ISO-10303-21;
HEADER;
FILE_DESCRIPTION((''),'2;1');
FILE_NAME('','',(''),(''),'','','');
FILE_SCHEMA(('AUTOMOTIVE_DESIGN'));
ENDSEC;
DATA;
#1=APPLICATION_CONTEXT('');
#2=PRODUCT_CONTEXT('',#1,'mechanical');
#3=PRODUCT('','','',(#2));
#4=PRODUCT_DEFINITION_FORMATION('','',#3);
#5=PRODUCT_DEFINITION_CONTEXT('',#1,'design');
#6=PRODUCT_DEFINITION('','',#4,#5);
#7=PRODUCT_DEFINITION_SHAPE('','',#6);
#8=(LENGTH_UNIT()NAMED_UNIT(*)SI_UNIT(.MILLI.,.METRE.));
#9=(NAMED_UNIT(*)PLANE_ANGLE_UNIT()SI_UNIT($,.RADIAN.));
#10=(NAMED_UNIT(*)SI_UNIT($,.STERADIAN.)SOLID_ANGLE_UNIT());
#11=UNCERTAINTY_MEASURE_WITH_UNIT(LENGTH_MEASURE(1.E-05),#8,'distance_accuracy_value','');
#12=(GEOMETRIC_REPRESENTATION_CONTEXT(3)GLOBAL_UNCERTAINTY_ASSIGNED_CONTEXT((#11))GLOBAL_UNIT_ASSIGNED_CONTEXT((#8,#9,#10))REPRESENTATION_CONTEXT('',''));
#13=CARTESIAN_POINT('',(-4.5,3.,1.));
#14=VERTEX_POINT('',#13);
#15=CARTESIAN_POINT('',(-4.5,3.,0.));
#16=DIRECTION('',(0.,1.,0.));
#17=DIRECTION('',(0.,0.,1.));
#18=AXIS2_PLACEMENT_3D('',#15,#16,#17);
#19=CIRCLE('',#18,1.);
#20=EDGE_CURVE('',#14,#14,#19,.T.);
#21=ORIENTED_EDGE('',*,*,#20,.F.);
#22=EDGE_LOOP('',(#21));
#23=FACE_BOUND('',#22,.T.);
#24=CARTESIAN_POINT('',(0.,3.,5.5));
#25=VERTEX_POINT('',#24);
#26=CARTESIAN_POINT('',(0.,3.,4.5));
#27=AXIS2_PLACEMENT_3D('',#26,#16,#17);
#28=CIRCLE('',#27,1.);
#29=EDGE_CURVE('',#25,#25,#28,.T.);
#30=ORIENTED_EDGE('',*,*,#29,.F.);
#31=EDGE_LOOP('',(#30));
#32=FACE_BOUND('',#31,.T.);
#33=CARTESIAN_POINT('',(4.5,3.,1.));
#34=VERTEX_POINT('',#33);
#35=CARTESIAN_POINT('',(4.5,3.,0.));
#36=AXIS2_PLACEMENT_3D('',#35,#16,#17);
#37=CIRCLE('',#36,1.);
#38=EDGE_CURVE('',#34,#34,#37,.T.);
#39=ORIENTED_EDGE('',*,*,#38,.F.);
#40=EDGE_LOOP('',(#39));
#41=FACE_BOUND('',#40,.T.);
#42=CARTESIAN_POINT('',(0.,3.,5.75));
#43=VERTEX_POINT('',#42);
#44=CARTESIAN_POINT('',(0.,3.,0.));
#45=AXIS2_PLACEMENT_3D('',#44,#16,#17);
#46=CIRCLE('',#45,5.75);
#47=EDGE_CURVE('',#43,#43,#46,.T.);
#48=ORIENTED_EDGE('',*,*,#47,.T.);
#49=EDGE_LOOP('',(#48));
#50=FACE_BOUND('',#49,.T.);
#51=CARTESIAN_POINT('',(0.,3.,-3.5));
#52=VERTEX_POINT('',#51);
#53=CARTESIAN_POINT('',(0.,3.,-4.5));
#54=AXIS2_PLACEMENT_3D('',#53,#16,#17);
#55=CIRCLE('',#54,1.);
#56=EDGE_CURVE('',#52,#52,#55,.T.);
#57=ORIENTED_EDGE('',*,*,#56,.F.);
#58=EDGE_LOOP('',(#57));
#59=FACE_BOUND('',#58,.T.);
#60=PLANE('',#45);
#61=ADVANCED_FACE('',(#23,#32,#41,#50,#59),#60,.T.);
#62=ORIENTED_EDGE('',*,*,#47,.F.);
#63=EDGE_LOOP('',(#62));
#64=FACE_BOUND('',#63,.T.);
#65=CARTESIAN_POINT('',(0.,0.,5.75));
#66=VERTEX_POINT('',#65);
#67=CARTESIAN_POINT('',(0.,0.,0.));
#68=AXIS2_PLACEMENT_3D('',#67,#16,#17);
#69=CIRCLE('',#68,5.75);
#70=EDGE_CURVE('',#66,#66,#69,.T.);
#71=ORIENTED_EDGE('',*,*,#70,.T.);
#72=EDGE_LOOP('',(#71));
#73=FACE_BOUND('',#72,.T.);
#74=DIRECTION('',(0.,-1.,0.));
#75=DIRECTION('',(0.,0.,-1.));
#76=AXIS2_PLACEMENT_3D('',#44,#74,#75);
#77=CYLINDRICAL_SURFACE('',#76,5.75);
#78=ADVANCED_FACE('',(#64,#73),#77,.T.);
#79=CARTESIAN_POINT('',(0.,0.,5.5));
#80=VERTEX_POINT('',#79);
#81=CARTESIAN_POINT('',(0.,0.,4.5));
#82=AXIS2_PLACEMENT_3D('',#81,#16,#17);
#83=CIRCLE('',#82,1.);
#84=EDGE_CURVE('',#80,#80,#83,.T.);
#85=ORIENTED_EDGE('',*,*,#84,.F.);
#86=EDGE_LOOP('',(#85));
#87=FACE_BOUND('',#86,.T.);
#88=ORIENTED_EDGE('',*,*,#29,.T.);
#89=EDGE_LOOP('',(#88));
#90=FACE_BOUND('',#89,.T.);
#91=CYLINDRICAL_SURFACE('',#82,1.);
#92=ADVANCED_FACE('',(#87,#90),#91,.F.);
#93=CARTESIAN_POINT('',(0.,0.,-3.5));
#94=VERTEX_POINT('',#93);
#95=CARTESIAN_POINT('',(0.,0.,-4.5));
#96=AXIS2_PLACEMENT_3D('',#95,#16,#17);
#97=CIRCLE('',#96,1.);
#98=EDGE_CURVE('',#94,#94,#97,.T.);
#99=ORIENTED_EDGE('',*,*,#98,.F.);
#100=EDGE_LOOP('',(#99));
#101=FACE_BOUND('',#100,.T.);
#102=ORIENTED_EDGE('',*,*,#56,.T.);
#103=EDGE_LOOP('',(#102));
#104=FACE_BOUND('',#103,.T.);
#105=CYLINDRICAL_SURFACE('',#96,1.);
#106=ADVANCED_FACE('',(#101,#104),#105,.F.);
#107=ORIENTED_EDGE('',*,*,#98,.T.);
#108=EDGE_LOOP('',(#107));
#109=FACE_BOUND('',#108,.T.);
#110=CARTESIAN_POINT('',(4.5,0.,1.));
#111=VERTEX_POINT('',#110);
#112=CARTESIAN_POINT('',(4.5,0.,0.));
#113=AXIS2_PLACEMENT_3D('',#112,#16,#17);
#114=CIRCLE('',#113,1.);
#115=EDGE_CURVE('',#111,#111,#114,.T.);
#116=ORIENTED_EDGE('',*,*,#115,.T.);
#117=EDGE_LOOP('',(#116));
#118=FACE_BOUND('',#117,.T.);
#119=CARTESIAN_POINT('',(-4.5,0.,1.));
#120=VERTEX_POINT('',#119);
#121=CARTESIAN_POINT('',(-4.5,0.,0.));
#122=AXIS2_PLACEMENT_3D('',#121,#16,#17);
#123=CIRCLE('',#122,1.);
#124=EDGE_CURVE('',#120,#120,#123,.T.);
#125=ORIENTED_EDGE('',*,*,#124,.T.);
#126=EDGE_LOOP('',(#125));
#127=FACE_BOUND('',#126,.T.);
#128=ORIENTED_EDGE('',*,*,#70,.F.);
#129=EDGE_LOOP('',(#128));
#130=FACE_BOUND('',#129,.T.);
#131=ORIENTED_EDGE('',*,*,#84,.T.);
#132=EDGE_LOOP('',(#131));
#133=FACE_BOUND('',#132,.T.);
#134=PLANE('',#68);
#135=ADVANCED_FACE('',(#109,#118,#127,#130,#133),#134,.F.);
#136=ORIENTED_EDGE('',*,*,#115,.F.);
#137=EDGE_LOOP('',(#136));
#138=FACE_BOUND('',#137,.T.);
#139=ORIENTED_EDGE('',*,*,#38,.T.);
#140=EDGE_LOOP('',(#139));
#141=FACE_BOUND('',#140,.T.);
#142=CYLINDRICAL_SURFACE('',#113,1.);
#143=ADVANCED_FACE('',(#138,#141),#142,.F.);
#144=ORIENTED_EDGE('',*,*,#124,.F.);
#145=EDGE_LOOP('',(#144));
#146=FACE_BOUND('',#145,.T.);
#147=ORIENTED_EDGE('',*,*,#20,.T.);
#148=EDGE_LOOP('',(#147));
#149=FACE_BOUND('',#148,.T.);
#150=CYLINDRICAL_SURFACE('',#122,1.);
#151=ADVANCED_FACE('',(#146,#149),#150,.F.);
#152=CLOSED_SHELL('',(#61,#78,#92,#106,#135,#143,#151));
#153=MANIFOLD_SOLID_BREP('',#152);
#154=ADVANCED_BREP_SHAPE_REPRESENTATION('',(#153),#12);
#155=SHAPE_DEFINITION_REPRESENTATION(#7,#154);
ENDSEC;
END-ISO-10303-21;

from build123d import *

# Parameters (mm, degrees)
SKETCH_1_R          = 5.75
EXTRUDE_1_DEPTH     = 3
SKETCH_2_R          = 1
CUT_EXTRUDE_2_DEPTH = 3


with BuildPart() as part:
    # 草图1 → 凸台-拉伸1 (new body)
    with BuildSketch(Plane(origin=(0, 0, 0), x_dir=(1, 0, 0), z_dir=(0, 1, 0))):
        with Locations(Location((0, 0, 0), (0, 0, 270))):
            Circle(SKETCH_1_R)
    extrude(amount=EXTRUDE_1_DEPTH)

    # 草图2 → 切除-拉伸2 (cut)
    with BuildSketch(Plane(origin=(0, 3, 0), x_dir=(1, 0, 0), z_dir=(0, 1, 0))):
        with Locations(Location((0, 4.5, 0), (0, 0, 270))):
            Circle(SKETCH_2_R)
        with Locations(Location((4.5, 0, 0), (0, 0, 270))):
            Circle(SKETCH_2_R)
        with Locations(Location((0, -4.5, 0), (0, 0, 270))):
            Circle(SKETCH_2_R)
        with Locations(Location((-4.5, 0, 0), (0, 0, 270))):
            Circle(SKETCH_2_R)
    extrude(amount=-CUT_EXTRUDE_2_DEPTH, mode=Mode.SUBTRACT)


solid = part.part
